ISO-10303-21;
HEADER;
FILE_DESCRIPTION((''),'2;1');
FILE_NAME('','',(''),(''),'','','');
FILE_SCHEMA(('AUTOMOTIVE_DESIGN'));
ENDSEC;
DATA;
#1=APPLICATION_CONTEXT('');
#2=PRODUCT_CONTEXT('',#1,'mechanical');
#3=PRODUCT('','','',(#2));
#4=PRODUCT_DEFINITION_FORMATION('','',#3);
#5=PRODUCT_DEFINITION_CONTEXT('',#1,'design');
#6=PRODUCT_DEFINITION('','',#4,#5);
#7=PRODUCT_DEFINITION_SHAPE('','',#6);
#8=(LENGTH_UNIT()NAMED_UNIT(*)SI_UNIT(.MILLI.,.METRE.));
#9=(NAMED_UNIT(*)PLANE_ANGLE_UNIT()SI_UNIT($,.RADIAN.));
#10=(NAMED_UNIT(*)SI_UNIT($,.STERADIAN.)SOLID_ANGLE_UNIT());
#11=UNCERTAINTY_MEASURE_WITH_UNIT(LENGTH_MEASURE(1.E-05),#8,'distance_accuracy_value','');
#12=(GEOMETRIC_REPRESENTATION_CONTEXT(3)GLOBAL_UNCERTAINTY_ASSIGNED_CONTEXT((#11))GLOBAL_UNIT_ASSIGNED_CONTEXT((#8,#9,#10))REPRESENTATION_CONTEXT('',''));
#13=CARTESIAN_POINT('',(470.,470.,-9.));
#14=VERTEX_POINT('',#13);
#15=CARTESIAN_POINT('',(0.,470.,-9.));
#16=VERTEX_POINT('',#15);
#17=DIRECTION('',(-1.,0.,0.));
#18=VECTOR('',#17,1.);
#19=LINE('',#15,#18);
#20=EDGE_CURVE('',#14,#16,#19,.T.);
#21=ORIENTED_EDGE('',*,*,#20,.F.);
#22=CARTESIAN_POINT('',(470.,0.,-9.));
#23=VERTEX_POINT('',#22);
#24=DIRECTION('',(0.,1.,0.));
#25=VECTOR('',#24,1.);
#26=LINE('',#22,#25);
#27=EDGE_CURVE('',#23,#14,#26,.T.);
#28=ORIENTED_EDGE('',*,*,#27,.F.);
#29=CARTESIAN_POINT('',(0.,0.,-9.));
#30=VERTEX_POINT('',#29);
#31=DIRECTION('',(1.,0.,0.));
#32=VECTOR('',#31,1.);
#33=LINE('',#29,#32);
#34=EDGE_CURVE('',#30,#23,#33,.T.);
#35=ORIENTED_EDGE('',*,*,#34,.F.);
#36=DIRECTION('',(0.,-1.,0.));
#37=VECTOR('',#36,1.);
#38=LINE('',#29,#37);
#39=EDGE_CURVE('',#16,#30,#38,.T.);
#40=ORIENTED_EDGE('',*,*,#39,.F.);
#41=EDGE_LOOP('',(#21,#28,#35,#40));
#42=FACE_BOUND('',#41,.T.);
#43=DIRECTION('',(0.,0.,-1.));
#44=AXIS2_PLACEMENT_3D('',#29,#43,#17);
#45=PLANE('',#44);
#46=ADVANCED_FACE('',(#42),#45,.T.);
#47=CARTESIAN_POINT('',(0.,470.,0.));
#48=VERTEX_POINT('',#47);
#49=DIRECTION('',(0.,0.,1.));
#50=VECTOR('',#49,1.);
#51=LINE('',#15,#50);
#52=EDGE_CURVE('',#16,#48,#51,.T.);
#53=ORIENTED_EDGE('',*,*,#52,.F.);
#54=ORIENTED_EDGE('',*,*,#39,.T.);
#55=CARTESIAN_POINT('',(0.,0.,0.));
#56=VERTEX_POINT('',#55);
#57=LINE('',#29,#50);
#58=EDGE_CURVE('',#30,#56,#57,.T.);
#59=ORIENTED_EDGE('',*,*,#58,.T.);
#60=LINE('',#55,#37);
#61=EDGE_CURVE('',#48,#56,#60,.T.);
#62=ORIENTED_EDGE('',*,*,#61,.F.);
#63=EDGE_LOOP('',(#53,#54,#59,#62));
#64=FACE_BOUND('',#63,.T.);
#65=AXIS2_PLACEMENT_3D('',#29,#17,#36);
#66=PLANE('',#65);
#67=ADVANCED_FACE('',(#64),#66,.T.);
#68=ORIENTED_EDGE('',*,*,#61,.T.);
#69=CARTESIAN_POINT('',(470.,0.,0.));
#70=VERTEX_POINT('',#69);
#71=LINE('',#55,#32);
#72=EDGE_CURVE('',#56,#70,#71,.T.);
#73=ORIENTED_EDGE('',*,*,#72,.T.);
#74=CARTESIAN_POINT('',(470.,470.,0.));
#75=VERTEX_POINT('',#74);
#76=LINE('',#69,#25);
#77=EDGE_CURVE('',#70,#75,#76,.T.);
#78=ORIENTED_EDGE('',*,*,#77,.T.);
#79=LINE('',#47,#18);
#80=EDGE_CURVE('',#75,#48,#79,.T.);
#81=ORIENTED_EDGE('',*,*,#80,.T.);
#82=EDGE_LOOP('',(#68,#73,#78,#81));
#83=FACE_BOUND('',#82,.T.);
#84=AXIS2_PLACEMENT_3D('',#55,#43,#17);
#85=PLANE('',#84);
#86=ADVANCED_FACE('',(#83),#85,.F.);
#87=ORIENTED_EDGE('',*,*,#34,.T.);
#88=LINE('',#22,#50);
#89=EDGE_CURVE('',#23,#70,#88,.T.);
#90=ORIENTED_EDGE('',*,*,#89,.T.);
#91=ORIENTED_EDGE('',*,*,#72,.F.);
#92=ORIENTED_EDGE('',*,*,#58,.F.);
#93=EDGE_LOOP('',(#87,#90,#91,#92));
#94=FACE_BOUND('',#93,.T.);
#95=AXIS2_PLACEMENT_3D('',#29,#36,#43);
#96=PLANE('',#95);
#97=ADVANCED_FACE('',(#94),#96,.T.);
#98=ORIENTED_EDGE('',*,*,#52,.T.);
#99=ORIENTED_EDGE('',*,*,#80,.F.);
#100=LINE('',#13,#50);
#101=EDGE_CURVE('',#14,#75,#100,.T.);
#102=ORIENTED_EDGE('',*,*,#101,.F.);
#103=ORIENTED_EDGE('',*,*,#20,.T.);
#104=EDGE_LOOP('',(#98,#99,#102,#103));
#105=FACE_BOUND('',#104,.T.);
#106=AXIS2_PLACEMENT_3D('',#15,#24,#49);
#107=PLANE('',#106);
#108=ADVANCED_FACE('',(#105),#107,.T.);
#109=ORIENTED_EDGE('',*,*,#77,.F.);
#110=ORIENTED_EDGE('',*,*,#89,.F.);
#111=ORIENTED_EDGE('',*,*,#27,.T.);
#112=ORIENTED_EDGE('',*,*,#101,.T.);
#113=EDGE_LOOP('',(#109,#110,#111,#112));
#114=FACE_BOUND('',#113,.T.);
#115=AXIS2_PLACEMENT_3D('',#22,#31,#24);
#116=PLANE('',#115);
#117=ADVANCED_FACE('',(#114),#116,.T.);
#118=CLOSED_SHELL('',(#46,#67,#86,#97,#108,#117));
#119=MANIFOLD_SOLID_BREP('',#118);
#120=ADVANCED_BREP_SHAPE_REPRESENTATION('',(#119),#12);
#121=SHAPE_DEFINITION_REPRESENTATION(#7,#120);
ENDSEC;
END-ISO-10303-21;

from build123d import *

# Parameters (mm, degrees)
SZKIC1_W                    = 470
SZKIC1_H                    = 470
DODANIE_WYCI_GNI_CIE1_DEPTH = 9


with BuildPart() as part:
    # Szkic1 → Dodanie-wyciągnięcie1 (new body)
    with BuildSketch(Plane.XY):
        with Locations((235, 235)):
            Rectangle(SZKIC1_W, SZKIC1_H)
    extrude(amount=-DODANIE_WYCI_GNI_CIE1_DEPTH)


solid = part.part
